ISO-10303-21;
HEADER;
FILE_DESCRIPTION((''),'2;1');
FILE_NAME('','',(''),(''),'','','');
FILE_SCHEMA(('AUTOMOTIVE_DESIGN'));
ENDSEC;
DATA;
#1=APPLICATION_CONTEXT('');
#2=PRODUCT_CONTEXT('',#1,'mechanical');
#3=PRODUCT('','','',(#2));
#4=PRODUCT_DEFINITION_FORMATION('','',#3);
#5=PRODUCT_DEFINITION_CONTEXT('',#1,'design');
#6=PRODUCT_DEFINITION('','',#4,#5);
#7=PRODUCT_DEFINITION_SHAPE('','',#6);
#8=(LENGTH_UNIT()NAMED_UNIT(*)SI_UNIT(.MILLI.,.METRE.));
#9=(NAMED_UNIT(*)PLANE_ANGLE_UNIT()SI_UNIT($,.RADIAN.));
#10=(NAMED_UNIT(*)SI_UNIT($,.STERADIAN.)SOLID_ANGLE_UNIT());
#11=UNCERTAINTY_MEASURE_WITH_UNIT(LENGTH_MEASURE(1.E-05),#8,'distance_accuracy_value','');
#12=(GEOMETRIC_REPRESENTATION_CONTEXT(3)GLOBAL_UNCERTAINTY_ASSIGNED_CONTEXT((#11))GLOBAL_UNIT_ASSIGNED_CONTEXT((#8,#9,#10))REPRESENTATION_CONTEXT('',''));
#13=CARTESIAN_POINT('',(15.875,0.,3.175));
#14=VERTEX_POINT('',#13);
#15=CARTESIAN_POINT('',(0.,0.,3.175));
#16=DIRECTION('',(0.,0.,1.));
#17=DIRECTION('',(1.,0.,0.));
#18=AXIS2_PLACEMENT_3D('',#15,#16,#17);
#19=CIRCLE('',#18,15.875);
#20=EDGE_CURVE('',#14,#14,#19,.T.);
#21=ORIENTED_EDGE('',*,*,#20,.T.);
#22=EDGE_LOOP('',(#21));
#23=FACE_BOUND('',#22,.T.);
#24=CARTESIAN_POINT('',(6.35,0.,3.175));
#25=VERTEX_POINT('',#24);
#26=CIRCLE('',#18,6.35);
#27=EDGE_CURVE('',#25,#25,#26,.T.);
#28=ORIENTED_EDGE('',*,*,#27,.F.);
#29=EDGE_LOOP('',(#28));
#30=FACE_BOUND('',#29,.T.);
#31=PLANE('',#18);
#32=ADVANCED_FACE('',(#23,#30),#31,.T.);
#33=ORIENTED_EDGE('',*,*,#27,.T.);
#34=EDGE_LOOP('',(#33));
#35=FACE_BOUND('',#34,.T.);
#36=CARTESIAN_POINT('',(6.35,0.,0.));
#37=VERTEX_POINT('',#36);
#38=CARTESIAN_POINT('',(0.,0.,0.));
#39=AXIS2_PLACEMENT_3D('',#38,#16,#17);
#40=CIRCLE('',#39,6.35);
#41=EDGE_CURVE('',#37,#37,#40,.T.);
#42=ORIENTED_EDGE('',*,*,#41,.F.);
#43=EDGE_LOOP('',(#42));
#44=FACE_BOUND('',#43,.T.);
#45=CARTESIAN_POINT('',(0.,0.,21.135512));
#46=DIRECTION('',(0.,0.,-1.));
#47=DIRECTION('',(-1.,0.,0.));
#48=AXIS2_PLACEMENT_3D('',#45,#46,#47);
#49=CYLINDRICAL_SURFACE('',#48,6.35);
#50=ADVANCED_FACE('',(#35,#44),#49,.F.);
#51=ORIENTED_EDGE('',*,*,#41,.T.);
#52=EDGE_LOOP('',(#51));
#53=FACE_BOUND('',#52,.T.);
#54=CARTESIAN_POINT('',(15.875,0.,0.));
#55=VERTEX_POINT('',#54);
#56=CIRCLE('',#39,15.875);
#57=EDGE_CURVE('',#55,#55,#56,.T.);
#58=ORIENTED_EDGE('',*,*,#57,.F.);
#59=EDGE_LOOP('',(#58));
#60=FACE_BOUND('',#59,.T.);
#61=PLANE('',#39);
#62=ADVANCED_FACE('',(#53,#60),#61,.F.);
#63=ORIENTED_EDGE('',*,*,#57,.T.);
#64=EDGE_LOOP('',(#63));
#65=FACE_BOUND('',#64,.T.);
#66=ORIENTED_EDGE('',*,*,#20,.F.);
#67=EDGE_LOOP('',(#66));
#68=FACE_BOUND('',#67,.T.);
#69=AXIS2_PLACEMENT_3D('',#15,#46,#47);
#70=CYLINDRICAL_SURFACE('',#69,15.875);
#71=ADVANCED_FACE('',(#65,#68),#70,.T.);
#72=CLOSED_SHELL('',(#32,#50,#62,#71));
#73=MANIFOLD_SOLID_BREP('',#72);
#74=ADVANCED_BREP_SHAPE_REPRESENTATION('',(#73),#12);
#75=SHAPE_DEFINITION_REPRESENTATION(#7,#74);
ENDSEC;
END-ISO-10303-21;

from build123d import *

# Parameters (mm, degrees)
SKETCH1_R           = 15.875
BOSS_EXTRUDE1_DEPTH = 3.175
SKETCH2_R           = 6.35
CUT_EXTRUDE1_DEPTH  = 3.175


with BuildPart() as part:
    # Sketch1 → Boss-Extrude1 (new body)
    with BuildSketch(Plane.XY):
        Circle(SKETCH1_R)
    extrude(amount=BOSS_EXTRUDE1_DEPTH)

    # Sketch2 → Cut-Extrude1 (cut)
    with BuildSketch(Plane.XY):
        Circle(SKETCH2_R)
    extrude(amount=CUT_EXTRUDE1_DEPTH, mode=Mode.SUBTRACT)


solid = part.part
